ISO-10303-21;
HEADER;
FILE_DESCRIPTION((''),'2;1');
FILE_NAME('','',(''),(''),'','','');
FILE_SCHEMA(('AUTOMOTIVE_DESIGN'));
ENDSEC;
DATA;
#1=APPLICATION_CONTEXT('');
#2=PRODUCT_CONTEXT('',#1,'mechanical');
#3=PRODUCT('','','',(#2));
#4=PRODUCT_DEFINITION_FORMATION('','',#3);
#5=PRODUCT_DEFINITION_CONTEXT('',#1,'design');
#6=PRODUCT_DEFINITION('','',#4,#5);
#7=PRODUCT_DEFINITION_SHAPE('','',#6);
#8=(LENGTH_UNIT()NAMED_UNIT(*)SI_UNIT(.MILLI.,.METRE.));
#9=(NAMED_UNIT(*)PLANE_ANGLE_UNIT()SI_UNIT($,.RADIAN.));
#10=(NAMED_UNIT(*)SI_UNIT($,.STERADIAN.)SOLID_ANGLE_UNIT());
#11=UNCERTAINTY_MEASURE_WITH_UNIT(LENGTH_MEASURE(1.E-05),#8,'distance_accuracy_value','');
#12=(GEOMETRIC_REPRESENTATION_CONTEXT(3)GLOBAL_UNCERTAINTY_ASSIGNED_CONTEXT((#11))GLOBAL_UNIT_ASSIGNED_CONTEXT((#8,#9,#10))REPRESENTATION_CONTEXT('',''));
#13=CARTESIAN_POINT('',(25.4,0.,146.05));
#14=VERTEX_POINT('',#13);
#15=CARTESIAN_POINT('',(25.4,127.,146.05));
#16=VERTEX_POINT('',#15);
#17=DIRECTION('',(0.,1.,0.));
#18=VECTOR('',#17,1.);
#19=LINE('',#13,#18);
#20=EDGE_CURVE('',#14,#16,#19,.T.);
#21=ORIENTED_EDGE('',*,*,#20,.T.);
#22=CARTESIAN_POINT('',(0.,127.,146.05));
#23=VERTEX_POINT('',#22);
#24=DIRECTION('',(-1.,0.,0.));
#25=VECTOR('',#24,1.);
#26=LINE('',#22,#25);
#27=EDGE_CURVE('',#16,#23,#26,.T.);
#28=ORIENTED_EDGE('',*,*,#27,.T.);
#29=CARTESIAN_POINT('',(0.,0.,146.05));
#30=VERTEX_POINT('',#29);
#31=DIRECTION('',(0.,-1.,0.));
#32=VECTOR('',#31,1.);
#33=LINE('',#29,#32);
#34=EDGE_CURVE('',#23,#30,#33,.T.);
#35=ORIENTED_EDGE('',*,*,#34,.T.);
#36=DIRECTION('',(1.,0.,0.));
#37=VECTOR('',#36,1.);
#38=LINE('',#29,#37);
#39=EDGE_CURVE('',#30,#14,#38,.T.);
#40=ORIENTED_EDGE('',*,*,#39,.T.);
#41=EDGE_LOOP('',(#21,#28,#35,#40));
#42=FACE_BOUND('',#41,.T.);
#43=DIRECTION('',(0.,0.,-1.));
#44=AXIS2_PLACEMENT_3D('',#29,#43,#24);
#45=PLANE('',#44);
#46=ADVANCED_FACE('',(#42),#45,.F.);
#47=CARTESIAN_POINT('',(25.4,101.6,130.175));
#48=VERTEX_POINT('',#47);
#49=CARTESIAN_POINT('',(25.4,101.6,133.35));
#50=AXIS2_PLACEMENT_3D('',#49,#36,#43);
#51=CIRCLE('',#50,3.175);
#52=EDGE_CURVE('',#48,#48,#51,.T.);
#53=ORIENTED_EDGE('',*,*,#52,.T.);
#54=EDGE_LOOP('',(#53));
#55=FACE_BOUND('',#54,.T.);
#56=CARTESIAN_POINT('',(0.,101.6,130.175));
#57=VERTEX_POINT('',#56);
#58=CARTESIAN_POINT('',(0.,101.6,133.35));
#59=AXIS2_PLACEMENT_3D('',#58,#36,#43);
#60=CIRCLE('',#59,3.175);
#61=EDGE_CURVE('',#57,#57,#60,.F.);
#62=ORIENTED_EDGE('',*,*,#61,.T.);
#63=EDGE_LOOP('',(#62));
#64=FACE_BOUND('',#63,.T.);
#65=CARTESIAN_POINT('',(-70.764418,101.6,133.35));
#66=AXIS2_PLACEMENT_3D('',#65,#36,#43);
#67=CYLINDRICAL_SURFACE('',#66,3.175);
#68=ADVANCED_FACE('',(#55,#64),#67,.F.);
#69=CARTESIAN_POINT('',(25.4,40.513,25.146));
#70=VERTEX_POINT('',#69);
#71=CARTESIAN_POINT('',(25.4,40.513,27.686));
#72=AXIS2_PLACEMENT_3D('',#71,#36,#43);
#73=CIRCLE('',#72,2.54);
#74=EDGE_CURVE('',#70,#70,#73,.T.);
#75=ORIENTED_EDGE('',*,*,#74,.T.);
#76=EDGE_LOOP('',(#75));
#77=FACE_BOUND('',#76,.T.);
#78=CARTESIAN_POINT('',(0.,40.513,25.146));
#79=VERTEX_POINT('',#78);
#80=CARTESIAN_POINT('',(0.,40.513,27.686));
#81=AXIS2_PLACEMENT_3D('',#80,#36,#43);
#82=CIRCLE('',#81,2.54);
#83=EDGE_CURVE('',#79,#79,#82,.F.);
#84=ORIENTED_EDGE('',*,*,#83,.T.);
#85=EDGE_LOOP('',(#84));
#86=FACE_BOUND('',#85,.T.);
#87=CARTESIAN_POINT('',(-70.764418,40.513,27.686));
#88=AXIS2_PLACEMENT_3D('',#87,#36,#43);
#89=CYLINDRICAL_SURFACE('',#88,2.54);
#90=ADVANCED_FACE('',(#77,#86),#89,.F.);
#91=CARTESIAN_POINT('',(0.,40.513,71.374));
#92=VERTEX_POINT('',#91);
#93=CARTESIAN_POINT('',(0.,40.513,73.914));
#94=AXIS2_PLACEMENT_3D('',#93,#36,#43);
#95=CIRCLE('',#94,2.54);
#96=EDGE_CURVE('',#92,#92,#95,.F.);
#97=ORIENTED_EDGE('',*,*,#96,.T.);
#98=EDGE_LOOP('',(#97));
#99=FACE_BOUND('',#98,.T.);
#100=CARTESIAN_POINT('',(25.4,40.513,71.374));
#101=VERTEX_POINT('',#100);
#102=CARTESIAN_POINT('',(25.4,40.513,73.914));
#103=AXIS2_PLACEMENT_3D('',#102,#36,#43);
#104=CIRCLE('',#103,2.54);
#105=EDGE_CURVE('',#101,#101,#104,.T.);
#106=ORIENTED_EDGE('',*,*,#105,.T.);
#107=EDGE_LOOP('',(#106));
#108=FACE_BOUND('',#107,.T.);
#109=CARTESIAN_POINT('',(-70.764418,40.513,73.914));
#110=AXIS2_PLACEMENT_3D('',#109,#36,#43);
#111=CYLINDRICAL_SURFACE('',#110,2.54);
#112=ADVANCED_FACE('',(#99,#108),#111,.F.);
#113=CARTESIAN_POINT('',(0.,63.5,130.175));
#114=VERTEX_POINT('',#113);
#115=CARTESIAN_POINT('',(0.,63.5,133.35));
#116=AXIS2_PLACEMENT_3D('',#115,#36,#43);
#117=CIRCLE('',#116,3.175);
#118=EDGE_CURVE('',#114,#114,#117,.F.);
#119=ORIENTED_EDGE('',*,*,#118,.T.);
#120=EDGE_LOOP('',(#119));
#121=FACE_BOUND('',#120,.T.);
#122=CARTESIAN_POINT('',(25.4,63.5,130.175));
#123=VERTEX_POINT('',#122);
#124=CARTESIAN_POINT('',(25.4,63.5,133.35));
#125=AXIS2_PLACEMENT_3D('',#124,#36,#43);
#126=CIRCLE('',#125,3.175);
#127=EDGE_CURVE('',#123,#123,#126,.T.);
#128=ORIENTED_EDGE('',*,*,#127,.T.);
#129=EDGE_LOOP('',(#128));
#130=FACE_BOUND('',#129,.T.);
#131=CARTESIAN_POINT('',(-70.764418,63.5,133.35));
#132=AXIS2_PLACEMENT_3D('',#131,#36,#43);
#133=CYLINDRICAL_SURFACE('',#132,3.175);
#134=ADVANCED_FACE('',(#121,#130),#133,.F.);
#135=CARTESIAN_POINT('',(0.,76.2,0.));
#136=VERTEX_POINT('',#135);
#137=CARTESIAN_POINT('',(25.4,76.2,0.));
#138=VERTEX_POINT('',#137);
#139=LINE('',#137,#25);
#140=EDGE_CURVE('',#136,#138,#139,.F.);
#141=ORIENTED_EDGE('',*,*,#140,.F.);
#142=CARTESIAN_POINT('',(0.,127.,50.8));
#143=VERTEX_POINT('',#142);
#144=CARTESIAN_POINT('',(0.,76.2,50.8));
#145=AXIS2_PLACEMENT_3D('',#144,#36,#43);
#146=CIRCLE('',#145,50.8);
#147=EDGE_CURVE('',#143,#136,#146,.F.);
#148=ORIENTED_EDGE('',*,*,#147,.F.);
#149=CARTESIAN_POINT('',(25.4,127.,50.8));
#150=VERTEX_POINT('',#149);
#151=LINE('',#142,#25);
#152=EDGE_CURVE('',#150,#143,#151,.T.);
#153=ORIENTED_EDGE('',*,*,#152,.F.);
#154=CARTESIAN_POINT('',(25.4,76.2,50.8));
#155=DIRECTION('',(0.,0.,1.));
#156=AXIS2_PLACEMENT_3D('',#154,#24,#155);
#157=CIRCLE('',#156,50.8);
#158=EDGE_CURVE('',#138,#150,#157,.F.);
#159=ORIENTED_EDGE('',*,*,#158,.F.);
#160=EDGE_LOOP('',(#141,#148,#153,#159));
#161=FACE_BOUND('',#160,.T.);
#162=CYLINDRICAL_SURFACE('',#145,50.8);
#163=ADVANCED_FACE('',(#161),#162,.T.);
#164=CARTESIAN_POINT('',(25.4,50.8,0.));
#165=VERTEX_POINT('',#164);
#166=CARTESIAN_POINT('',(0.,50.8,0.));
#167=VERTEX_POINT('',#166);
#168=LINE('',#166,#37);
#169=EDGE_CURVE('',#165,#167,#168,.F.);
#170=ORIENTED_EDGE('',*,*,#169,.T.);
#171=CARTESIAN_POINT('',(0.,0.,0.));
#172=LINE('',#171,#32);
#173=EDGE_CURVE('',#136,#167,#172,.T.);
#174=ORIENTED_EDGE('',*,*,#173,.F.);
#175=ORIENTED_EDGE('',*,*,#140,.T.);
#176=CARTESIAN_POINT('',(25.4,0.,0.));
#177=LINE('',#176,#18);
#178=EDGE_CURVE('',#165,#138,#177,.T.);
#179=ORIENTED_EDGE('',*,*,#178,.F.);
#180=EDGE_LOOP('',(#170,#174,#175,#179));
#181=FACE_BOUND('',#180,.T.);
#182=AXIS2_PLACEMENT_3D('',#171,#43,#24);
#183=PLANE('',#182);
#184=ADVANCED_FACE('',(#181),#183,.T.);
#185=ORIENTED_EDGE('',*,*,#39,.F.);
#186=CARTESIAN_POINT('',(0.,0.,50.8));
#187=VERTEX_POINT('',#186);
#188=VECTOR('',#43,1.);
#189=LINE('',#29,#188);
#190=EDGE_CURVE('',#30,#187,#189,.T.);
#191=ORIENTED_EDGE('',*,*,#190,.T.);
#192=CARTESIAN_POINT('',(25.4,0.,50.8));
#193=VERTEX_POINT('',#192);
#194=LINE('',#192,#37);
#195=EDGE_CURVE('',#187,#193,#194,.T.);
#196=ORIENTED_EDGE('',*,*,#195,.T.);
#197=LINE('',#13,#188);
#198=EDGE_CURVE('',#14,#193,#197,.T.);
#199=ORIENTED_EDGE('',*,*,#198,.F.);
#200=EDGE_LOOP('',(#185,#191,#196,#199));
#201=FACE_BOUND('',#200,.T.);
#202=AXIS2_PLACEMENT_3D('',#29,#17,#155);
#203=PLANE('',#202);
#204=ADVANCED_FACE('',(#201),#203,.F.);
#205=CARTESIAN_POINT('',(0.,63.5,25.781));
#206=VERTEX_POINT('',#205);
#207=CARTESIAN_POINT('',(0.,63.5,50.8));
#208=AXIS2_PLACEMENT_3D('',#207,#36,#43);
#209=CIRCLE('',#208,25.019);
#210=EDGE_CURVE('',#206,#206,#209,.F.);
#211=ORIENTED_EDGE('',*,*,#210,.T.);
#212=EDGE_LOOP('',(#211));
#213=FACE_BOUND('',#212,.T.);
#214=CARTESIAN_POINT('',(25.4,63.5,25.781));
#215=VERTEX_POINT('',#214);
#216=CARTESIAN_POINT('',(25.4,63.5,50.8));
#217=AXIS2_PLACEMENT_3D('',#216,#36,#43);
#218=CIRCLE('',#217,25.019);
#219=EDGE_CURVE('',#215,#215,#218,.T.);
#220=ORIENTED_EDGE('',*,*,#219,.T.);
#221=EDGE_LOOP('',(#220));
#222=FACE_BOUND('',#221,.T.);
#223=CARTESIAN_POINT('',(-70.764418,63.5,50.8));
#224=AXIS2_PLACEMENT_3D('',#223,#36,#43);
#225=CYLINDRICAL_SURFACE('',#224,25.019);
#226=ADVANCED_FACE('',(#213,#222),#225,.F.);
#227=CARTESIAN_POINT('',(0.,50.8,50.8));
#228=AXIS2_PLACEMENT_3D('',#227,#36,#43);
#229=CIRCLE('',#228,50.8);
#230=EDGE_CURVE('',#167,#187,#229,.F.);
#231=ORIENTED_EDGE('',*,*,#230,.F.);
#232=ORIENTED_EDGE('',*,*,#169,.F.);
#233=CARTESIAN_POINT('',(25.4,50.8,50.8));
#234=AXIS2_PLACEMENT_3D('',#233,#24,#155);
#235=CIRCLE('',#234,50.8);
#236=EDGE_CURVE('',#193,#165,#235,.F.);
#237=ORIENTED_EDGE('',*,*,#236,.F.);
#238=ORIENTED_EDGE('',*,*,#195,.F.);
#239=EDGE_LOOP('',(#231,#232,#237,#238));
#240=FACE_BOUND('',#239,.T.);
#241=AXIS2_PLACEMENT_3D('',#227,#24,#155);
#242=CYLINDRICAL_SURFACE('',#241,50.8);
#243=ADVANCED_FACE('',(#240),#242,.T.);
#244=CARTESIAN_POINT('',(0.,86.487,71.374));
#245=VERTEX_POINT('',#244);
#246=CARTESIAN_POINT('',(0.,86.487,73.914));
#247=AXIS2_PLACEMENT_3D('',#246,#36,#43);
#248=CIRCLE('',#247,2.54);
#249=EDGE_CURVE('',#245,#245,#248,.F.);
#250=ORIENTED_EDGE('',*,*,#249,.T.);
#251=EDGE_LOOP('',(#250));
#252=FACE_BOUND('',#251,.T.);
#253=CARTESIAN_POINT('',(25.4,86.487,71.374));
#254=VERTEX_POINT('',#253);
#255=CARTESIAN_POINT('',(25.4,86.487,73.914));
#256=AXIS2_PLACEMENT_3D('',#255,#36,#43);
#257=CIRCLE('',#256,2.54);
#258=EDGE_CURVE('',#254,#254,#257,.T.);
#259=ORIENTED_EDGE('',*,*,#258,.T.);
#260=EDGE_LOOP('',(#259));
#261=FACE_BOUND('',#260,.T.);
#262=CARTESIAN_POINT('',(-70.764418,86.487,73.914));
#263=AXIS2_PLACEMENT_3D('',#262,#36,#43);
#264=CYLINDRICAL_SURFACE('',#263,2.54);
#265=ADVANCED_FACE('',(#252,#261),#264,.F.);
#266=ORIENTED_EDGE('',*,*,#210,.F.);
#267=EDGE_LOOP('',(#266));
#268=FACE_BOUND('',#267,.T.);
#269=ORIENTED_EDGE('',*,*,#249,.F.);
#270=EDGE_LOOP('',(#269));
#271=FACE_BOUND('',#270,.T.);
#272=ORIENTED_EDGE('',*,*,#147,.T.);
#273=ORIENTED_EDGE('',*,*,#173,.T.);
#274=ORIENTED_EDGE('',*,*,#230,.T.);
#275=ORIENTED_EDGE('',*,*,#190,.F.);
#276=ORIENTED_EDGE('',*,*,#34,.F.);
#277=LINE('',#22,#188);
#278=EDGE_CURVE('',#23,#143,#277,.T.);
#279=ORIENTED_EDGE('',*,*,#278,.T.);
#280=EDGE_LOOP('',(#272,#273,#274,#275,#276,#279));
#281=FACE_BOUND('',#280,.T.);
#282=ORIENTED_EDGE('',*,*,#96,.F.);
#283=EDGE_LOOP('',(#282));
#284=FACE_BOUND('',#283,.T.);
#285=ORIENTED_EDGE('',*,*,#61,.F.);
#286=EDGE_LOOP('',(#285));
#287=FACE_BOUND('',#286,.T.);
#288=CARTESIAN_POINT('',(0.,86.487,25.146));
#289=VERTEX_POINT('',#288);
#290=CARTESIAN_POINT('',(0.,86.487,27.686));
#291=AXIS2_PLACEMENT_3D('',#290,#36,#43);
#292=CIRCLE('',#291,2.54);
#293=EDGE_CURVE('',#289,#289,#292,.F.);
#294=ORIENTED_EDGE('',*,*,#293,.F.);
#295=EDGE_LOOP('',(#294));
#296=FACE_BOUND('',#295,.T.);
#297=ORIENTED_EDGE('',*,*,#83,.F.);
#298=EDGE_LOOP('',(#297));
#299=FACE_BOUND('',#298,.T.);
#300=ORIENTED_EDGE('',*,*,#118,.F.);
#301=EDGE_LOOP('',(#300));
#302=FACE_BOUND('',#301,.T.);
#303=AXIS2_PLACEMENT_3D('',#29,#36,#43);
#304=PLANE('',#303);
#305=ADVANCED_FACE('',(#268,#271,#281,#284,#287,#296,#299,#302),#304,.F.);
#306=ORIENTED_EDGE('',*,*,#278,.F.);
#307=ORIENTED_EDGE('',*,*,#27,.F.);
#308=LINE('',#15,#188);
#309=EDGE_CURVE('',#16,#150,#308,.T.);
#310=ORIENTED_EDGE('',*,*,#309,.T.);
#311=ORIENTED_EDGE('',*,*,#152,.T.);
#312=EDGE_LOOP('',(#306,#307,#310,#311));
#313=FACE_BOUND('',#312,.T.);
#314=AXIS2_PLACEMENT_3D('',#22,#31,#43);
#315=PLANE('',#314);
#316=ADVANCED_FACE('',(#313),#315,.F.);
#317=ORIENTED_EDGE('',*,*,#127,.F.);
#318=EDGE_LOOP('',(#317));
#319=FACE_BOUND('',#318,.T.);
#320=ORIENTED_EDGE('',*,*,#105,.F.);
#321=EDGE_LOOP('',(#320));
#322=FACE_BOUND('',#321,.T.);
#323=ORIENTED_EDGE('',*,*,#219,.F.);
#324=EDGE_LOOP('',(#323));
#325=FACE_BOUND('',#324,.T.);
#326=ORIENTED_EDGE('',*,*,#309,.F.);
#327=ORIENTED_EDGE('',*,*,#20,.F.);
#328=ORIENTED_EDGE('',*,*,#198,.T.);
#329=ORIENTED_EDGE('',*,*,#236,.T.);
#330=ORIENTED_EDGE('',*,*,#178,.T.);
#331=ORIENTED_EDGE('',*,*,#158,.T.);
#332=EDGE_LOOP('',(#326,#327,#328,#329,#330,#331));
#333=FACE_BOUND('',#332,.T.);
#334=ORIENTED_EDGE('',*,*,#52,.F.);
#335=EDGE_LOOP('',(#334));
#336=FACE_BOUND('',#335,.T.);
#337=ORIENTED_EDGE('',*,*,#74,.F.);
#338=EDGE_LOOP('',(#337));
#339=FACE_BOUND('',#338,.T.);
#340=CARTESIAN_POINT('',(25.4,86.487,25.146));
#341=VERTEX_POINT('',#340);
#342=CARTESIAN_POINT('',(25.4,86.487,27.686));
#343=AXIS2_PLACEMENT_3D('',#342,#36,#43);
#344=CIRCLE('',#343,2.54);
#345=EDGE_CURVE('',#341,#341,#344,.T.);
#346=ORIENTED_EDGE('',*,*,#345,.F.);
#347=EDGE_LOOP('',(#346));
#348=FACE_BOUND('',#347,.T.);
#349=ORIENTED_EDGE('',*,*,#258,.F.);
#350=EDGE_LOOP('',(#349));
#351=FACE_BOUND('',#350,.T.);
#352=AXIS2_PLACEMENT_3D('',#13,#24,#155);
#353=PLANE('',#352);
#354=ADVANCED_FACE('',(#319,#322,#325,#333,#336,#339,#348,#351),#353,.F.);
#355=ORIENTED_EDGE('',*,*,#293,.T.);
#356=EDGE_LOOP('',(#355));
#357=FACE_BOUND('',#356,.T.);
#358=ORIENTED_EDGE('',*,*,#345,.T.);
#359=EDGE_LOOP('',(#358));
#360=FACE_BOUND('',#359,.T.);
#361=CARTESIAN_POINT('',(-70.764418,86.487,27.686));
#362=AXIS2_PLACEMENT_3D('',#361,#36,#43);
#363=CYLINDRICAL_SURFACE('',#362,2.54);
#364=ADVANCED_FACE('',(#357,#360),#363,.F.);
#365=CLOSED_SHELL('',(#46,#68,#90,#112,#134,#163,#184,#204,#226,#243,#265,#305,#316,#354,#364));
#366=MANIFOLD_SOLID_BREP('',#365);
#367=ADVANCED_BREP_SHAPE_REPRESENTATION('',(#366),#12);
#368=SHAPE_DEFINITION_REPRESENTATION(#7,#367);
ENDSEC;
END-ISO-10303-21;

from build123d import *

# Parameters (mm, degrees)
SKETCH1_W           = 25.4
SKETCH1_H           = 127
BOSS_EXTRUDE1_DEPTH = 146.05
FILLET1_R           = 50.8
SKETCH3_R           = 3.175
SKETCH3_R_2         = 25.019
SKETCH3_R_3         = 2.54
CUT_EXTRUDE1_DEPTH  = 25.4


with BuildPart() as part:
    # Sketch1 → Boss-Extrude1 (new body)
    with BuildSketch(Plane.XY):
        with Locations((12.7, 63.5)):
            Rectangle(SKETCH1_W, SKETCH1_H)
    extrude(amount=BOSS_EXTRUDE1_DEPTH)

    # Fillet1
    fillet1_edges = [part.edges().sort_by_distance(p)[0] for p in [
        (12.7, 127, 0),
        (12.7, 0, 0),
    ]]
    fillet(fillet1_edges, radius=FILLET1_R)

    # Sketch3 → Cut-Extrude1 (cut)
    with BuildSketch(Plane(origin=(25.4, 0, 0), x_dir=(0, 0, -1), z_dir=(1, 0, 0))):
        with Locations((-133.35, 63.5)):
            Circle(SKETCH3_R)
        with Locations((-133.35, 101.6)):
            Circle(SKETCH3_R)
        with Locations((-50.8, 63.5)):
            Circle(SKETCH3_R_2)
        with Locations((-73.914, 86.487)):
            Circle(SKETCH3_R_3)
        with Locations((-27.686, 86.487)):
            Circle(SKETCH3_R_3)
        with Locations((-27.686, 40.513)):
            Circle(SKETCH3_R_3)
        with Locations((-73.914, 40.513)):
            Circle(SKETCH3_R_3)
    extrude(amount=-CUT_EXTRUDE1_DEPTH, mode=Mode.SUBTRACT)


solid = part.part
